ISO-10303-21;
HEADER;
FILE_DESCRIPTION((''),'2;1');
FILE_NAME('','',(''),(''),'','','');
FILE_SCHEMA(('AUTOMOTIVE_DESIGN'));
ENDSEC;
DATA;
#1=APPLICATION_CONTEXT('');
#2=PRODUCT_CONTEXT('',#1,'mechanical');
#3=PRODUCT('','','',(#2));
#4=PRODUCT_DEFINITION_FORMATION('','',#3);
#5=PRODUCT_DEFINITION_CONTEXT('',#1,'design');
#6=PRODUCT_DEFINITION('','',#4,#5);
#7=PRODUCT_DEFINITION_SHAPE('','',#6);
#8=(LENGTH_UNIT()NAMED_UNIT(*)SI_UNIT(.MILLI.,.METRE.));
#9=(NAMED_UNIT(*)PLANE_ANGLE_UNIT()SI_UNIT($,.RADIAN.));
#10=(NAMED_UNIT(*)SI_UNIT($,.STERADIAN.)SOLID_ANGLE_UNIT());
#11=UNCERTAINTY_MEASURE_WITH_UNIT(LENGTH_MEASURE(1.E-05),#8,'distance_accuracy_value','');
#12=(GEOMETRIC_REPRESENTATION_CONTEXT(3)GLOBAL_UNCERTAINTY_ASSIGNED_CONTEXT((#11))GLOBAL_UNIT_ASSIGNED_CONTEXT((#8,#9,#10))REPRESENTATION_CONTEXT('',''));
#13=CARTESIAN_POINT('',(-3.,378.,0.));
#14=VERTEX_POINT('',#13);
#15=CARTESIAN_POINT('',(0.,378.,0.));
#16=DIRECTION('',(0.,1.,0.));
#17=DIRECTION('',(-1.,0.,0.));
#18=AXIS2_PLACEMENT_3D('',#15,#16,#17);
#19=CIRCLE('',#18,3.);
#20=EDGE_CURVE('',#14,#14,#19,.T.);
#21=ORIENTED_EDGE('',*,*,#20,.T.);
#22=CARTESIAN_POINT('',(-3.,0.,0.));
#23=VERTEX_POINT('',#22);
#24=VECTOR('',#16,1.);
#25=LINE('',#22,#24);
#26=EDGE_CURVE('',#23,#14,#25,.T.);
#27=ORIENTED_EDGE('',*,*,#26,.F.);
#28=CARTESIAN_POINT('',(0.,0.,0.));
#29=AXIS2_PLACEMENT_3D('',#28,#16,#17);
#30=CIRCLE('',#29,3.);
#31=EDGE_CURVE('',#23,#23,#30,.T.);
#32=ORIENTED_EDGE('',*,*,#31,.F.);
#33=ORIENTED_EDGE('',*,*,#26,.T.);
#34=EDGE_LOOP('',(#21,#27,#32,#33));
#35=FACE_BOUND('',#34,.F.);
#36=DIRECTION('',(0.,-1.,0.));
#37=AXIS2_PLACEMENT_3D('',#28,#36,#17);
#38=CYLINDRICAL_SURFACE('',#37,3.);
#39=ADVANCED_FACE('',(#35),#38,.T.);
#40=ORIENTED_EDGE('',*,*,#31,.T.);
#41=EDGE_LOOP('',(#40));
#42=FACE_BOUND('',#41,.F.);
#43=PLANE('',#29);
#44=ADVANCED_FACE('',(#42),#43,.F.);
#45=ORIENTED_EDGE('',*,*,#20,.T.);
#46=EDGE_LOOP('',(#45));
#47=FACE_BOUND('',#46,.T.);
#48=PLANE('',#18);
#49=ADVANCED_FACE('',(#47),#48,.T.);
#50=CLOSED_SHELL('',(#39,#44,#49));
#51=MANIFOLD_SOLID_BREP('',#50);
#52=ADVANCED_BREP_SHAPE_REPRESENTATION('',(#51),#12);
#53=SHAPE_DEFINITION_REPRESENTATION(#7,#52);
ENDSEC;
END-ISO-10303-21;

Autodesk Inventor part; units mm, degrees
ref_plane "YZ Plane" through (0, 0, 0) normal (1, 0, 0) x (0, 1, 0)
ref_plane "XZ Plane" through (0, 0, 0) normal (0, 1, 0) x (-1, 0, 0)
ref_plane "XY Plane" through (0, 0, 0) normal (0, 0, 1) x (1, 0, 0)
sketch "Sketch1" plane through (0, 0, 0) normal (0, 1, 0) x (-1, 0, 0)
  circle A0 centre (0, 0) radius 3
  dimension "d0" = 6
extrude "Extrusion1" add sketch "Sketch1" along normal blind 378
thread "Thread1" size "M6x1" class "6g" standard "ANSI Metric M Profile" full length
properties part number "esparrago"
